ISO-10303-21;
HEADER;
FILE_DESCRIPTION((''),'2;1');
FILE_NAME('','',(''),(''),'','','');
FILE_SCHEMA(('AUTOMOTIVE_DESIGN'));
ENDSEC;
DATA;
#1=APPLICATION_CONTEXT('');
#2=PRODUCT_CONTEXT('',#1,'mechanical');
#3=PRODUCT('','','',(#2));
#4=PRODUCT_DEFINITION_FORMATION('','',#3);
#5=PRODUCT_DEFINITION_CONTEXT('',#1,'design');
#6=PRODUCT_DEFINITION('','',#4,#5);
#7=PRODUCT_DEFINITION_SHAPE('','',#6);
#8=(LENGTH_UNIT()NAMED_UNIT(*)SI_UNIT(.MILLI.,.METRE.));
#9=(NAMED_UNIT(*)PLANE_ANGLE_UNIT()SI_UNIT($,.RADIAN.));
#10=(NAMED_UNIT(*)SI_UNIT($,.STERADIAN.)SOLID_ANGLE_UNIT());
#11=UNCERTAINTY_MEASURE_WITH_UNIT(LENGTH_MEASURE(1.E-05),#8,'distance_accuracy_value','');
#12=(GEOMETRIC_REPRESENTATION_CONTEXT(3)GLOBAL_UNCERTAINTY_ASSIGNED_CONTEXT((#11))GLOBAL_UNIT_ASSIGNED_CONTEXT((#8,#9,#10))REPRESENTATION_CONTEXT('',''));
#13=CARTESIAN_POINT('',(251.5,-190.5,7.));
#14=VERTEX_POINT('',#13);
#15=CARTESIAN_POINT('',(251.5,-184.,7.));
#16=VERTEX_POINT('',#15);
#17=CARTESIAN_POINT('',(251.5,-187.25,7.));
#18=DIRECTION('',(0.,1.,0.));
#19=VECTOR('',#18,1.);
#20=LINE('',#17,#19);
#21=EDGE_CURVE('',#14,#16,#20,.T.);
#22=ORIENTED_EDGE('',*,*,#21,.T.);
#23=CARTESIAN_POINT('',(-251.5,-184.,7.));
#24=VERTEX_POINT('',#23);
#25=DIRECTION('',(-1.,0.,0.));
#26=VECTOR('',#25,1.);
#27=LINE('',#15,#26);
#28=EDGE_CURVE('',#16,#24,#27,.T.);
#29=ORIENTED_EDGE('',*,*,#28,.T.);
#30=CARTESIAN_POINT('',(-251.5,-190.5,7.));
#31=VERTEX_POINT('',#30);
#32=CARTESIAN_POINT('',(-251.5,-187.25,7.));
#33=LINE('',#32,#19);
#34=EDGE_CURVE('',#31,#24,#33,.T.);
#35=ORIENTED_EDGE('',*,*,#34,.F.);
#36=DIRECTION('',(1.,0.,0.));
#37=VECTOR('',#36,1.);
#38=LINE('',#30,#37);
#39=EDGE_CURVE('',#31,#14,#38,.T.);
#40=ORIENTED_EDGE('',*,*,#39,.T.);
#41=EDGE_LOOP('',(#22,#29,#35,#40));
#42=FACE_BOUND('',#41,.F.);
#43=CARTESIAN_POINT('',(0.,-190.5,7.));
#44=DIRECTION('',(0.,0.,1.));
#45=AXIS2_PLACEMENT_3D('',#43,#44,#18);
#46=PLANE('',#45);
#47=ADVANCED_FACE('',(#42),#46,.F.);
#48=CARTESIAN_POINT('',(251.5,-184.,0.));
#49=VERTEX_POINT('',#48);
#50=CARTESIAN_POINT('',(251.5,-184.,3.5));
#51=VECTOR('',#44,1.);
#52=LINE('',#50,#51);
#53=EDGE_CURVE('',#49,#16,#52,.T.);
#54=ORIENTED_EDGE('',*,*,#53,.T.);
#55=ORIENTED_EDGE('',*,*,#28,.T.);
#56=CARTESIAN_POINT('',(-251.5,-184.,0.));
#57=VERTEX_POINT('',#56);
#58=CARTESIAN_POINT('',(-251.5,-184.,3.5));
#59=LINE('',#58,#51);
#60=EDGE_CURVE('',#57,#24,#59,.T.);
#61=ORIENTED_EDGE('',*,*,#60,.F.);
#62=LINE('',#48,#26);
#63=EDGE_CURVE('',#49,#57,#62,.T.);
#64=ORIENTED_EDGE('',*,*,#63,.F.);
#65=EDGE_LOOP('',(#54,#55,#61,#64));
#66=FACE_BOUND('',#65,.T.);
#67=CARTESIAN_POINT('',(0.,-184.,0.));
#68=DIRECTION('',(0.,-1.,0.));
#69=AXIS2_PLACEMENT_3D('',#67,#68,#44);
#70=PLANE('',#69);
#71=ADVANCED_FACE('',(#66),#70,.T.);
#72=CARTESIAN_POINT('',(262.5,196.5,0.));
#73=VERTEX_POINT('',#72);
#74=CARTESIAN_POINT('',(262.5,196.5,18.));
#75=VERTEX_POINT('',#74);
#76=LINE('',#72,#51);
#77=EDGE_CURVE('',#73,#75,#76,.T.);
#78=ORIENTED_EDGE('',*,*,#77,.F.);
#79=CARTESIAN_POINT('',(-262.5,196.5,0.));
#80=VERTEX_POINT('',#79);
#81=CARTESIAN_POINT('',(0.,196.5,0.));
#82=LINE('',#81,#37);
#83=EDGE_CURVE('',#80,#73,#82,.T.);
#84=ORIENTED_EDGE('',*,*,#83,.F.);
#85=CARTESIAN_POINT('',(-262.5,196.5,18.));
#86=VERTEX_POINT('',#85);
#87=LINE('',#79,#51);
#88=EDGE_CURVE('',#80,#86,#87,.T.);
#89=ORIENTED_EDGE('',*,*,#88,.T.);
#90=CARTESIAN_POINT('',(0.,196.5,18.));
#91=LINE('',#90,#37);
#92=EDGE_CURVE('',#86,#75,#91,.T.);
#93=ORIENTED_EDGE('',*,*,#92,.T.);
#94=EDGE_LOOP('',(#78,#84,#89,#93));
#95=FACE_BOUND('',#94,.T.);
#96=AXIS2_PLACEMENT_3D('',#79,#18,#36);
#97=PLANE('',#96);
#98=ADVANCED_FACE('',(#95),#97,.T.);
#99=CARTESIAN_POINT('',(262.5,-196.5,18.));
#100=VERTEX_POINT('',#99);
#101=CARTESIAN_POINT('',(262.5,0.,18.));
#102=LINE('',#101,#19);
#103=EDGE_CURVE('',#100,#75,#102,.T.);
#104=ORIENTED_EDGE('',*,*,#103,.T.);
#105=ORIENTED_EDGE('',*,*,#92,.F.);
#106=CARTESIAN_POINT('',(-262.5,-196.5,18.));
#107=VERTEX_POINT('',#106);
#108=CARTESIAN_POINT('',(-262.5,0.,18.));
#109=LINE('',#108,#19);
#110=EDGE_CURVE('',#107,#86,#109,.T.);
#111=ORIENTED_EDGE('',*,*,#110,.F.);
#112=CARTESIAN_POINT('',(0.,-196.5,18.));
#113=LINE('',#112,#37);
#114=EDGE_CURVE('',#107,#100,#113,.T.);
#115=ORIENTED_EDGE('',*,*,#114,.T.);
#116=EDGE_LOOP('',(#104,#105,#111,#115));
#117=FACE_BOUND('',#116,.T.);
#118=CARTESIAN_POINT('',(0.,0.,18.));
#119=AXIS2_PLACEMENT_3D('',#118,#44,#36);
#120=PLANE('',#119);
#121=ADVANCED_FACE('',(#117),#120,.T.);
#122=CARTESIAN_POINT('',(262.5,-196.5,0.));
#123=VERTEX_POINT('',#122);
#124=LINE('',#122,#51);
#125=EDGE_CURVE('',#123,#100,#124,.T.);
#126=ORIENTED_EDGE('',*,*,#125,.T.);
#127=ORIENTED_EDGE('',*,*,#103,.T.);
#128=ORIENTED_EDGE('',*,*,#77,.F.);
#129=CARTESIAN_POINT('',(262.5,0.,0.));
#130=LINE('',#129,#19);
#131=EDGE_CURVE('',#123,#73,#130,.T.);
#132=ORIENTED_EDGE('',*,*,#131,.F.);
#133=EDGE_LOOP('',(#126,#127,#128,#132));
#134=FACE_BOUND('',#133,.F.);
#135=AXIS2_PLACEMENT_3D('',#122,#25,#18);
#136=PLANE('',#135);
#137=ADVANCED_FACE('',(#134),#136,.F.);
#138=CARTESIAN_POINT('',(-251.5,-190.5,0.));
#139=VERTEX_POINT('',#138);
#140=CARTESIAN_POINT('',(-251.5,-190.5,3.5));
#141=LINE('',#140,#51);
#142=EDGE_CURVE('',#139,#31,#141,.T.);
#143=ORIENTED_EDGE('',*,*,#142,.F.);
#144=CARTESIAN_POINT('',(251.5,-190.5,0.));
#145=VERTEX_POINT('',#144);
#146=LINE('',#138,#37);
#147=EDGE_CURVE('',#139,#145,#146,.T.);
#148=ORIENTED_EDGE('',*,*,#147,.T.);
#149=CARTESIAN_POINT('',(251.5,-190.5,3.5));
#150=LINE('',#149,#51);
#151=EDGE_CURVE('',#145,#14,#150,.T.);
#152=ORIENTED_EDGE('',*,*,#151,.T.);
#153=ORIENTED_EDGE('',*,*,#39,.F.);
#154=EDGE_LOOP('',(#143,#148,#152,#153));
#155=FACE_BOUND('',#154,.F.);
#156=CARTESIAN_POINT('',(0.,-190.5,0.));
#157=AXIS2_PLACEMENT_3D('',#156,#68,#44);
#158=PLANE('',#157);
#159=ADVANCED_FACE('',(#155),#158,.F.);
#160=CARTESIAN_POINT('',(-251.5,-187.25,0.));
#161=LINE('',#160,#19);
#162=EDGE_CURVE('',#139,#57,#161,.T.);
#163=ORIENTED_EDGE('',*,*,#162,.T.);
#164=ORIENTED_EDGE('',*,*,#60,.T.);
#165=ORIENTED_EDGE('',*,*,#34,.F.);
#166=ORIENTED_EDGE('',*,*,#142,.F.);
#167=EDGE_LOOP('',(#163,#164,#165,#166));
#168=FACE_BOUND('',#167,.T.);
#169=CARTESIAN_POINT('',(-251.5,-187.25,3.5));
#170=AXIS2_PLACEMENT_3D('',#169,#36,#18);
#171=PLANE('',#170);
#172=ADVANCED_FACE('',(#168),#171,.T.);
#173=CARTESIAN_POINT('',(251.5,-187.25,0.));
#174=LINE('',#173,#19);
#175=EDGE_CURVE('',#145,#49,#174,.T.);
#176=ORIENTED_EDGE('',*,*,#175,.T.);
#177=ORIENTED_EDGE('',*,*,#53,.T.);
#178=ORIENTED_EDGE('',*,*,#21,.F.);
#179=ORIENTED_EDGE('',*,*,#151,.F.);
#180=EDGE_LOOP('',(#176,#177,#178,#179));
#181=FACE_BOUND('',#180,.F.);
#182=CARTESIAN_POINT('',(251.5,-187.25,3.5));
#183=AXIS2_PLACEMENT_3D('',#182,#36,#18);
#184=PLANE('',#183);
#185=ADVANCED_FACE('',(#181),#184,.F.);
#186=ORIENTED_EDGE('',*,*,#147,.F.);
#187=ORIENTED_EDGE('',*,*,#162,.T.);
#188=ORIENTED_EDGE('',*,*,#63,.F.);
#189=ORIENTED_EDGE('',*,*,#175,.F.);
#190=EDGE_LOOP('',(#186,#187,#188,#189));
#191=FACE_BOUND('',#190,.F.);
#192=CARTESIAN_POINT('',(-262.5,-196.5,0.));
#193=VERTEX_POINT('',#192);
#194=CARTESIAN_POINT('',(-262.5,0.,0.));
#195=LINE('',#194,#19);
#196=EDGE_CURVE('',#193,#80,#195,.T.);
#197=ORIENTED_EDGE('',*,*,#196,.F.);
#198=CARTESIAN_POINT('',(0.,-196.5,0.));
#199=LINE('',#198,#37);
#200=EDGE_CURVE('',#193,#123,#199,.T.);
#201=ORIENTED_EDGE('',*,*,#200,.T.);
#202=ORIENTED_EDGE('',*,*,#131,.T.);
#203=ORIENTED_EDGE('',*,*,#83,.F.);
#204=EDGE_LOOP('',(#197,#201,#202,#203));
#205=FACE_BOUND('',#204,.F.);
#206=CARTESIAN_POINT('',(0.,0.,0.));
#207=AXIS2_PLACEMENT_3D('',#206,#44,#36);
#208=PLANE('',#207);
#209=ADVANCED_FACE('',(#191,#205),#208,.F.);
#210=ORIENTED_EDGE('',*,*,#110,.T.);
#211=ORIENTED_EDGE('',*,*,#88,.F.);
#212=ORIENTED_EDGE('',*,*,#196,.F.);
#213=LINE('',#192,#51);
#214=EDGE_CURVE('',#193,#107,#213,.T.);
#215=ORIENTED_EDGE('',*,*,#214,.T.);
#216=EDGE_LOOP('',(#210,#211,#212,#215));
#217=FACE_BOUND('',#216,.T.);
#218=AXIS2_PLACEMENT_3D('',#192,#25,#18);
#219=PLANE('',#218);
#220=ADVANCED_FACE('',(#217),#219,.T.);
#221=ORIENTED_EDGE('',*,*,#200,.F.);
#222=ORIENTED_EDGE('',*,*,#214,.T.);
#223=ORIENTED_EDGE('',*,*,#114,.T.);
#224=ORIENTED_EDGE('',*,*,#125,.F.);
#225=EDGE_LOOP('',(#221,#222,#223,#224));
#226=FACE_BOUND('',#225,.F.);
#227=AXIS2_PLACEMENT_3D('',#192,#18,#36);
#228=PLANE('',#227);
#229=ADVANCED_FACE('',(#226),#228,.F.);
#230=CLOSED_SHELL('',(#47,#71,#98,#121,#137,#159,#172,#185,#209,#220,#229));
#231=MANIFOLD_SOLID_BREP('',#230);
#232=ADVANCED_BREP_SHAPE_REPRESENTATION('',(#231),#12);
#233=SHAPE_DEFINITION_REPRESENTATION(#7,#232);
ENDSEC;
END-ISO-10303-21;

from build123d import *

# Parameters (mm, degrees)
SKETCH_W          = 525
SKETCH_H          = 393
PAD_DEPTH         = 18
SKETCH001_W       = 6.5
SKETCH001_H       = 7
POCKET_DEPTH      = 251.5
POCKET_DEPTH_BACK = -251.5


with BuildPart() as part:
    # Sketch → Pad (new body)
    with BuildSketch(Plane.XY):
        Rectangle(SKETCH_W, SKETCH_H)
    extrude(amount=PAD_DEPTH)

    # Sketch001 → Pocket (cut, two sides)
    with BuildSketch(Plane.YZ) as pocket_sk:
        with Locations((-187.25, 3.5)):
            Rectangle(SKETCH001_W, SKETCH001_H)
    extrude(amount=-POCKET_DEPTH, mode=Mode.SUBTRACT)
    extrude(pocket_sk.sketch, amount=-POCKET_DEPTH_BACK, mode=Mode.SUBTRACT)


solid = part.part
